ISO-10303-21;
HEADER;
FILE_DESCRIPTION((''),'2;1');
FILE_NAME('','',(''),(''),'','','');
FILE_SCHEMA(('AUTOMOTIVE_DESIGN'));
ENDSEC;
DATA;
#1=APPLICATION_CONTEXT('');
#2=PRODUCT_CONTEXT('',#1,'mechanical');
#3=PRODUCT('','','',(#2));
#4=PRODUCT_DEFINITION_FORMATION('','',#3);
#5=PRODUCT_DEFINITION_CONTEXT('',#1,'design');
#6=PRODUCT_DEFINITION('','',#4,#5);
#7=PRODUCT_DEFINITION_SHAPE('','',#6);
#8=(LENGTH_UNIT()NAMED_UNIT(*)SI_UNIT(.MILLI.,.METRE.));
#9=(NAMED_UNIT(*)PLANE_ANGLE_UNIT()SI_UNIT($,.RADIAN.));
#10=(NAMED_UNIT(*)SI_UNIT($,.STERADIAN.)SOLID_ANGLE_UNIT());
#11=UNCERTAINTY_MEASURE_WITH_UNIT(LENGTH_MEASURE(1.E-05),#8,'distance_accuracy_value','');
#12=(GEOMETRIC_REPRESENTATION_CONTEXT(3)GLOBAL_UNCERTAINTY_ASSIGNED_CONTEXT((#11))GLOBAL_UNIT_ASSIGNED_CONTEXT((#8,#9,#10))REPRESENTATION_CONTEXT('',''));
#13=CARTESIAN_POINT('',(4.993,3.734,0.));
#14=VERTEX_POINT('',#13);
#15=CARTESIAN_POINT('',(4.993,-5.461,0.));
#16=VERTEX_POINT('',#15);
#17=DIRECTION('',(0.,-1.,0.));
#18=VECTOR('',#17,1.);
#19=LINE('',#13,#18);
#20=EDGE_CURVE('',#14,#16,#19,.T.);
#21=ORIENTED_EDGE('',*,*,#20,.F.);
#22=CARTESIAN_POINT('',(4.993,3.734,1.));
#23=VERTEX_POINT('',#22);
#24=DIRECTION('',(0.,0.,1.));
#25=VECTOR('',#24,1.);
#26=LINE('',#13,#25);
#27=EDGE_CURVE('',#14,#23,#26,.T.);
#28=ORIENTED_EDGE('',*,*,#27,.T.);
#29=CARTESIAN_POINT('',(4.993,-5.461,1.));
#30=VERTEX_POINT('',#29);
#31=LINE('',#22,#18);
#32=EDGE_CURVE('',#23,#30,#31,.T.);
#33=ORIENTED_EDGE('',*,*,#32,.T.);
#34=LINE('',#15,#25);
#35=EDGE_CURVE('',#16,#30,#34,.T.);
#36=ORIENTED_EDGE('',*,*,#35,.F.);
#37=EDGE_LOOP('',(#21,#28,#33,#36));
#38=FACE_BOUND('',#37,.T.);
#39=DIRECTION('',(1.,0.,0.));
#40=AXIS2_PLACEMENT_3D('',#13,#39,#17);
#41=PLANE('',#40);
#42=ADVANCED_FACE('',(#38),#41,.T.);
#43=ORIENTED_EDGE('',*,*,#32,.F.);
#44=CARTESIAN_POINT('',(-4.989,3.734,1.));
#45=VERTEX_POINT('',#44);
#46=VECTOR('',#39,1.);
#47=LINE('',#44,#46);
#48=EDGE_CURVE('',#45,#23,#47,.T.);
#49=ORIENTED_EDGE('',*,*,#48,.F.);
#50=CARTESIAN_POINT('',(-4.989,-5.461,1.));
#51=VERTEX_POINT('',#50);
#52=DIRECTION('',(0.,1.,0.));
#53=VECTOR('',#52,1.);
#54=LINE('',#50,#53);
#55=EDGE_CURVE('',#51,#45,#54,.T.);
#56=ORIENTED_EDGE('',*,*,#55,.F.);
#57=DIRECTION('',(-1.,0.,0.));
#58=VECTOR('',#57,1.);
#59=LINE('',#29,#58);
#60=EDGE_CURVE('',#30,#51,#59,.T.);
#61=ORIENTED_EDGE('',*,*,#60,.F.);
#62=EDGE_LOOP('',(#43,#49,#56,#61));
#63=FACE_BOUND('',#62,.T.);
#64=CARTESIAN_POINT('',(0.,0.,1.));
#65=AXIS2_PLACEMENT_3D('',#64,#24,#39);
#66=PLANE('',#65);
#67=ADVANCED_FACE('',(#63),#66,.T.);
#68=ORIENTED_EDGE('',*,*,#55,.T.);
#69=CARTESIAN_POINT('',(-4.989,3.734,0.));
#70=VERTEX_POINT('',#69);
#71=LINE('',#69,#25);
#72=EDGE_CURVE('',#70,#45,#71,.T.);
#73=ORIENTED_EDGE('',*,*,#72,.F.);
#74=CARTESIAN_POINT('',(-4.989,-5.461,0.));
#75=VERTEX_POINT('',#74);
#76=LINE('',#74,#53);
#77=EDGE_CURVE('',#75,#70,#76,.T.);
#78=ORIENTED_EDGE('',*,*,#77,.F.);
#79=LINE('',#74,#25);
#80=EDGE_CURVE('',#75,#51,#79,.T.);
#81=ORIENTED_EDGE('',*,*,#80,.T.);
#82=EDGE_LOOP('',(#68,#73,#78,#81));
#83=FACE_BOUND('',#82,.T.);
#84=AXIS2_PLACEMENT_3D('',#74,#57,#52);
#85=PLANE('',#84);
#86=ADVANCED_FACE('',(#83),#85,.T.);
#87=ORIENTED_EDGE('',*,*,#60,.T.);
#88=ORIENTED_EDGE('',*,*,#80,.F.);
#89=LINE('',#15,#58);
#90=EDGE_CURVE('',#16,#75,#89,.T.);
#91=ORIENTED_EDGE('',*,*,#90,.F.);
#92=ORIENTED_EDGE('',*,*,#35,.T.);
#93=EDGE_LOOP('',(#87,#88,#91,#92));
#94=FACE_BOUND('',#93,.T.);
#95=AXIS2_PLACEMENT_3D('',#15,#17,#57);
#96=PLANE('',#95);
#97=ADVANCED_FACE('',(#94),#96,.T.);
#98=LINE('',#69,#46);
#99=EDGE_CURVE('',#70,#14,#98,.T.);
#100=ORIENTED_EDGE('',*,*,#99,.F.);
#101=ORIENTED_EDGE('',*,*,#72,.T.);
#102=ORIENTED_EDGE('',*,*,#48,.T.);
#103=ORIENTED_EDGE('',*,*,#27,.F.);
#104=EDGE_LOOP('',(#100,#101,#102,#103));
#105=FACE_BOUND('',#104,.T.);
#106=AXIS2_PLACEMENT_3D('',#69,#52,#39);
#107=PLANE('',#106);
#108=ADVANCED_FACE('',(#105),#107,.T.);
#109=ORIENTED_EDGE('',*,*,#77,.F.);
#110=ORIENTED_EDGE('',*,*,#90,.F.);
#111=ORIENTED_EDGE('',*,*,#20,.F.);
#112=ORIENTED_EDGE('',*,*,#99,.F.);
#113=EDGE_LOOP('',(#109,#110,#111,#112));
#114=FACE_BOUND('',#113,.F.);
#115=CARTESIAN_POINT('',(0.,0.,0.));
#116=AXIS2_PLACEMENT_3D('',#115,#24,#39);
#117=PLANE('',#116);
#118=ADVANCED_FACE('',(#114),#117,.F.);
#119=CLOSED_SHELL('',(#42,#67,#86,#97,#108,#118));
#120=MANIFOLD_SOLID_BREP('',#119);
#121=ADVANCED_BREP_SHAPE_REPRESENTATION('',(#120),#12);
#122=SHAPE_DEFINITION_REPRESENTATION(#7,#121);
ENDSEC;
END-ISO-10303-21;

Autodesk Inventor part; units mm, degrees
ref_plane "YZ Plane" through (0, 0, 0) normal (1, 0, 0) x (0, 1, 0)
ref_plane "XZ Plane" through (0, 0, 0) normal (0, 1, 0) x (-1, 0, 0)
ref_plane "XY Plane" through (0, 0, 0) normal (0, 0, 1) x (1, 0, 0)
sketch "W237-102, W237-102_63" plane through (0, 0, 0) normal (0, 0, 1) x (1, 0, 0)
  line L0 (-4.989, 3.734) -> (4.993, 3.734)
  line L1 (4.993, 3.734) -> (4.993, -5.461)
  line L2 (4.993, -5.461) -> (-4.989, -5.461)
  line L3 (-4.989, -5.461) -> (-4.989, 3.734)
extrude "Extrusion1" add sketch "W237-102, W237-102_63" along normal blind 1
properties part number "W237-102"
